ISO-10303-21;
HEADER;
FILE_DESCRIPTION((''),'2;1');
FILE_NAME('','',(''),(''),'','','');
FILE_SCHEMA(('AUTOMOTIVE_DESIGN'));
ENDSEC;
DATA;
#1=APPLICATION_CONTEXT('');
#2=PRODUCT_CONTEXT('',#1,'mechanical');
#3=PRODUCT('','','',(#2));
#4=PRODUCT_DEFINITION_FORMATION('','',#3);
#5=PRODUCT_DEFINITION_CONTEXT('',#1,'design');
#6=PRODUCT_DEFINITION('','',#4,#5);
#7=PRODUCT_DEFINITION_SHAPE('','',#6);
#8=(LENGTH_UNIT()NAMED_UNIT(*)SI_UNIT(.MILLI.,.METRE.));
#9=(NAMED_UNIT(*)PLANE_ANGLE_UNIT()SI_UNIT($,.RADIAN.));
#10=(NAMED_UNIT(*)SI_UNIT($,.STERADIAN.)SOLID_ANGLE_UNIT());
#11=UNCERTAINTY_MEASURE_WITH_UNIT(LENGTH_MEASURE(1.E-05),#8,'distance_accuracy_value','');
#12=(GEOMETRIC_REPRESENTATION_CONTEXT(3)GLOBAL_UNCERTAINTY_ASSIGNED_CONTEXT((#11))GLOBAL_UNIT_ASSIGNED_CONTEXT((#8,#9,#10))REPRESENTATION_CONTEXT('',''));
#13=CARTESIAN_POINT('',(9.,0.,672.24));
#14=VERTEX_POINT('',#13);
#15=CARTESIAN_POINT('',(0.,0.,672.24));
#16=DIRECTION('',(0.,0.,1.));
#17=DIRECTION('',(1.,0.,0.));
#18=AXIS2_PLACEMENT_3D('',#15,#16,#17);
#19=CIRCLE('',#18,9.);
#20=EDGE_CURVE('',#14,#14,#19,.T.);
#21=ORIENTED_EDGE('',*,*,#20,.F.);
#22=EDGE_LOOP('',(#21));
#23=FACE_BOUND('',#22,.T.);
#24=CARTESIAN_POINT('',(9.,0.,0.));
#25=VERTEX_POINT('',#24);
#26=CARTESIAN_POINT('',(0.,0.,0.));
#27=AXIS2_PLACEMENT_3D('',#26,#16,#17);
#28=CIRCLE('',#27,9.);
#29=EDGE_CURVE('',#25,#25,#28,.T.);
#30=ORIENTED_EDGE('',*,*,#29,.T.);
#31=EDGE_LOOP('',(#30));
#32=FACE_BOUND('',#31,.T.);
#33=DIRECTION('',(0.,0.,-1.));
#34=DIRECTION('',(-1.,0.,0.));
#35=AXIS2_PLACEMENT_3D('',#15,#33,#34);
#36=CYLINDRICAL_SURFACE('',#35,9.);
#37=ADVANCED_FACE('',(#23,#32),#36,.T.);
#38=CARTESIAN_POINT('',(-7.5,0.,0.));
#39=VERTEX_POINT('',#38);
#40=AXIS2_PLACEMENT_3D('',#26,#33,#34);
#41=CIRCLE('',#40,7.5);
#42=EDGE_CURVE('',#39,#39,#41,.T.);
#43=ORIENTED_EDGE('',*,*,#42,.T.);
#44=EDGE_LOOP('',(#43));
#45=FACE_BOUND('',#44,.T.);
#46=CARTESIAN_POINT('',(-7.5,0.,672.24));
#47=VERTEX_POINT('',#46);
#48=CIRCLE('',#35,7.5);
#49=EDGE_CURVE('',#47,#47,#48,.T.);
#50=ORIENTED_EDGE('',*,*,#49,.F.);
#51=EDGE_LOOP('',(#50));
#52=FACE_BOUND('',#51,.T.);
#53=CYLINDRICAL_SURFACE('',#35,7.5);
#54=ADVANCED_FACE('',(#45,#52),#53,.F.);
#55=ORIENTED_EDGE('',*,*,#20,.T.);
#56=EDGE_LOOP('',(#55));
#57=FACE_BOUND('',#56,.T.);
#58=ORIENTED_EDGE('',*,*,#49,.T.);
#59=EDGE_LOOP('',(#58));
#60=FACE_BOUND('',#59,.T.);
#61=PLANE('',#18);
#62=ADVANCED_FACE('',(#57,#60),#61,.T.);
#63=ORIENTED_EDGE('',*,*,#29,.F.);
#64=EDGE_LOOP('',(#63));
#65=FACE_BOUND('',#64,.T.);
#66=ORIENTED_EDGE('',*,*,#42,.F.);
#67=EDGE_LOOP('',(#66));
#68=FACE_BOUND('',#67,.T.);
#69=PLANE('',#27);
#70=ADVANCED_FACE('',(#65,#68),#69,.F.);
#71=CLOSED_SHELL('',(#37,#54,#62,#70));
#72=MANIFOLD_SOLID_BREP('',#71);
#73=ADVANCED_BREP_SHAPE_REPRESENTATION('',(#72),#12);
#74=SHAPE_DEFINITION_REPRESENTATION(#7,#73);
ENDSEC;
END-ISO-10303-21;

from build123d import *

# Parameters (mm, degrees)
IZIM1_R                     = 9
Y_KSEKLIK_EKSTR_ZYON1_DEPTH = 672.24
IZIM2_R                     = 7.5
KES_EKSTR_ZYON1_DEPTH       = 672.24


with BuildPart() as part:
    # Çizim1 → Yükseklik-Ekstrüzyon1 (new body)
    with BuildSketch(Plane.XY):
        Circle(IZIM1_R)
    extrude(amount=Y_KSEKLIK_EKSTR_ZYON1_DEPTH)

    # Çizim2 → Kes-Ekstrüzyon1 (cut)
    with BuildSketch(Plane(origin=(0, 0, 0), x_dir=(-1, 0, 0), z_dir=(0, 0, -1))):
        Circle(IZIM2_R)
    extrude(amount=-KES_EKSTR_ZYON1_DEPTH, mode=Mode.SUBTRACT)


solid = part.part
